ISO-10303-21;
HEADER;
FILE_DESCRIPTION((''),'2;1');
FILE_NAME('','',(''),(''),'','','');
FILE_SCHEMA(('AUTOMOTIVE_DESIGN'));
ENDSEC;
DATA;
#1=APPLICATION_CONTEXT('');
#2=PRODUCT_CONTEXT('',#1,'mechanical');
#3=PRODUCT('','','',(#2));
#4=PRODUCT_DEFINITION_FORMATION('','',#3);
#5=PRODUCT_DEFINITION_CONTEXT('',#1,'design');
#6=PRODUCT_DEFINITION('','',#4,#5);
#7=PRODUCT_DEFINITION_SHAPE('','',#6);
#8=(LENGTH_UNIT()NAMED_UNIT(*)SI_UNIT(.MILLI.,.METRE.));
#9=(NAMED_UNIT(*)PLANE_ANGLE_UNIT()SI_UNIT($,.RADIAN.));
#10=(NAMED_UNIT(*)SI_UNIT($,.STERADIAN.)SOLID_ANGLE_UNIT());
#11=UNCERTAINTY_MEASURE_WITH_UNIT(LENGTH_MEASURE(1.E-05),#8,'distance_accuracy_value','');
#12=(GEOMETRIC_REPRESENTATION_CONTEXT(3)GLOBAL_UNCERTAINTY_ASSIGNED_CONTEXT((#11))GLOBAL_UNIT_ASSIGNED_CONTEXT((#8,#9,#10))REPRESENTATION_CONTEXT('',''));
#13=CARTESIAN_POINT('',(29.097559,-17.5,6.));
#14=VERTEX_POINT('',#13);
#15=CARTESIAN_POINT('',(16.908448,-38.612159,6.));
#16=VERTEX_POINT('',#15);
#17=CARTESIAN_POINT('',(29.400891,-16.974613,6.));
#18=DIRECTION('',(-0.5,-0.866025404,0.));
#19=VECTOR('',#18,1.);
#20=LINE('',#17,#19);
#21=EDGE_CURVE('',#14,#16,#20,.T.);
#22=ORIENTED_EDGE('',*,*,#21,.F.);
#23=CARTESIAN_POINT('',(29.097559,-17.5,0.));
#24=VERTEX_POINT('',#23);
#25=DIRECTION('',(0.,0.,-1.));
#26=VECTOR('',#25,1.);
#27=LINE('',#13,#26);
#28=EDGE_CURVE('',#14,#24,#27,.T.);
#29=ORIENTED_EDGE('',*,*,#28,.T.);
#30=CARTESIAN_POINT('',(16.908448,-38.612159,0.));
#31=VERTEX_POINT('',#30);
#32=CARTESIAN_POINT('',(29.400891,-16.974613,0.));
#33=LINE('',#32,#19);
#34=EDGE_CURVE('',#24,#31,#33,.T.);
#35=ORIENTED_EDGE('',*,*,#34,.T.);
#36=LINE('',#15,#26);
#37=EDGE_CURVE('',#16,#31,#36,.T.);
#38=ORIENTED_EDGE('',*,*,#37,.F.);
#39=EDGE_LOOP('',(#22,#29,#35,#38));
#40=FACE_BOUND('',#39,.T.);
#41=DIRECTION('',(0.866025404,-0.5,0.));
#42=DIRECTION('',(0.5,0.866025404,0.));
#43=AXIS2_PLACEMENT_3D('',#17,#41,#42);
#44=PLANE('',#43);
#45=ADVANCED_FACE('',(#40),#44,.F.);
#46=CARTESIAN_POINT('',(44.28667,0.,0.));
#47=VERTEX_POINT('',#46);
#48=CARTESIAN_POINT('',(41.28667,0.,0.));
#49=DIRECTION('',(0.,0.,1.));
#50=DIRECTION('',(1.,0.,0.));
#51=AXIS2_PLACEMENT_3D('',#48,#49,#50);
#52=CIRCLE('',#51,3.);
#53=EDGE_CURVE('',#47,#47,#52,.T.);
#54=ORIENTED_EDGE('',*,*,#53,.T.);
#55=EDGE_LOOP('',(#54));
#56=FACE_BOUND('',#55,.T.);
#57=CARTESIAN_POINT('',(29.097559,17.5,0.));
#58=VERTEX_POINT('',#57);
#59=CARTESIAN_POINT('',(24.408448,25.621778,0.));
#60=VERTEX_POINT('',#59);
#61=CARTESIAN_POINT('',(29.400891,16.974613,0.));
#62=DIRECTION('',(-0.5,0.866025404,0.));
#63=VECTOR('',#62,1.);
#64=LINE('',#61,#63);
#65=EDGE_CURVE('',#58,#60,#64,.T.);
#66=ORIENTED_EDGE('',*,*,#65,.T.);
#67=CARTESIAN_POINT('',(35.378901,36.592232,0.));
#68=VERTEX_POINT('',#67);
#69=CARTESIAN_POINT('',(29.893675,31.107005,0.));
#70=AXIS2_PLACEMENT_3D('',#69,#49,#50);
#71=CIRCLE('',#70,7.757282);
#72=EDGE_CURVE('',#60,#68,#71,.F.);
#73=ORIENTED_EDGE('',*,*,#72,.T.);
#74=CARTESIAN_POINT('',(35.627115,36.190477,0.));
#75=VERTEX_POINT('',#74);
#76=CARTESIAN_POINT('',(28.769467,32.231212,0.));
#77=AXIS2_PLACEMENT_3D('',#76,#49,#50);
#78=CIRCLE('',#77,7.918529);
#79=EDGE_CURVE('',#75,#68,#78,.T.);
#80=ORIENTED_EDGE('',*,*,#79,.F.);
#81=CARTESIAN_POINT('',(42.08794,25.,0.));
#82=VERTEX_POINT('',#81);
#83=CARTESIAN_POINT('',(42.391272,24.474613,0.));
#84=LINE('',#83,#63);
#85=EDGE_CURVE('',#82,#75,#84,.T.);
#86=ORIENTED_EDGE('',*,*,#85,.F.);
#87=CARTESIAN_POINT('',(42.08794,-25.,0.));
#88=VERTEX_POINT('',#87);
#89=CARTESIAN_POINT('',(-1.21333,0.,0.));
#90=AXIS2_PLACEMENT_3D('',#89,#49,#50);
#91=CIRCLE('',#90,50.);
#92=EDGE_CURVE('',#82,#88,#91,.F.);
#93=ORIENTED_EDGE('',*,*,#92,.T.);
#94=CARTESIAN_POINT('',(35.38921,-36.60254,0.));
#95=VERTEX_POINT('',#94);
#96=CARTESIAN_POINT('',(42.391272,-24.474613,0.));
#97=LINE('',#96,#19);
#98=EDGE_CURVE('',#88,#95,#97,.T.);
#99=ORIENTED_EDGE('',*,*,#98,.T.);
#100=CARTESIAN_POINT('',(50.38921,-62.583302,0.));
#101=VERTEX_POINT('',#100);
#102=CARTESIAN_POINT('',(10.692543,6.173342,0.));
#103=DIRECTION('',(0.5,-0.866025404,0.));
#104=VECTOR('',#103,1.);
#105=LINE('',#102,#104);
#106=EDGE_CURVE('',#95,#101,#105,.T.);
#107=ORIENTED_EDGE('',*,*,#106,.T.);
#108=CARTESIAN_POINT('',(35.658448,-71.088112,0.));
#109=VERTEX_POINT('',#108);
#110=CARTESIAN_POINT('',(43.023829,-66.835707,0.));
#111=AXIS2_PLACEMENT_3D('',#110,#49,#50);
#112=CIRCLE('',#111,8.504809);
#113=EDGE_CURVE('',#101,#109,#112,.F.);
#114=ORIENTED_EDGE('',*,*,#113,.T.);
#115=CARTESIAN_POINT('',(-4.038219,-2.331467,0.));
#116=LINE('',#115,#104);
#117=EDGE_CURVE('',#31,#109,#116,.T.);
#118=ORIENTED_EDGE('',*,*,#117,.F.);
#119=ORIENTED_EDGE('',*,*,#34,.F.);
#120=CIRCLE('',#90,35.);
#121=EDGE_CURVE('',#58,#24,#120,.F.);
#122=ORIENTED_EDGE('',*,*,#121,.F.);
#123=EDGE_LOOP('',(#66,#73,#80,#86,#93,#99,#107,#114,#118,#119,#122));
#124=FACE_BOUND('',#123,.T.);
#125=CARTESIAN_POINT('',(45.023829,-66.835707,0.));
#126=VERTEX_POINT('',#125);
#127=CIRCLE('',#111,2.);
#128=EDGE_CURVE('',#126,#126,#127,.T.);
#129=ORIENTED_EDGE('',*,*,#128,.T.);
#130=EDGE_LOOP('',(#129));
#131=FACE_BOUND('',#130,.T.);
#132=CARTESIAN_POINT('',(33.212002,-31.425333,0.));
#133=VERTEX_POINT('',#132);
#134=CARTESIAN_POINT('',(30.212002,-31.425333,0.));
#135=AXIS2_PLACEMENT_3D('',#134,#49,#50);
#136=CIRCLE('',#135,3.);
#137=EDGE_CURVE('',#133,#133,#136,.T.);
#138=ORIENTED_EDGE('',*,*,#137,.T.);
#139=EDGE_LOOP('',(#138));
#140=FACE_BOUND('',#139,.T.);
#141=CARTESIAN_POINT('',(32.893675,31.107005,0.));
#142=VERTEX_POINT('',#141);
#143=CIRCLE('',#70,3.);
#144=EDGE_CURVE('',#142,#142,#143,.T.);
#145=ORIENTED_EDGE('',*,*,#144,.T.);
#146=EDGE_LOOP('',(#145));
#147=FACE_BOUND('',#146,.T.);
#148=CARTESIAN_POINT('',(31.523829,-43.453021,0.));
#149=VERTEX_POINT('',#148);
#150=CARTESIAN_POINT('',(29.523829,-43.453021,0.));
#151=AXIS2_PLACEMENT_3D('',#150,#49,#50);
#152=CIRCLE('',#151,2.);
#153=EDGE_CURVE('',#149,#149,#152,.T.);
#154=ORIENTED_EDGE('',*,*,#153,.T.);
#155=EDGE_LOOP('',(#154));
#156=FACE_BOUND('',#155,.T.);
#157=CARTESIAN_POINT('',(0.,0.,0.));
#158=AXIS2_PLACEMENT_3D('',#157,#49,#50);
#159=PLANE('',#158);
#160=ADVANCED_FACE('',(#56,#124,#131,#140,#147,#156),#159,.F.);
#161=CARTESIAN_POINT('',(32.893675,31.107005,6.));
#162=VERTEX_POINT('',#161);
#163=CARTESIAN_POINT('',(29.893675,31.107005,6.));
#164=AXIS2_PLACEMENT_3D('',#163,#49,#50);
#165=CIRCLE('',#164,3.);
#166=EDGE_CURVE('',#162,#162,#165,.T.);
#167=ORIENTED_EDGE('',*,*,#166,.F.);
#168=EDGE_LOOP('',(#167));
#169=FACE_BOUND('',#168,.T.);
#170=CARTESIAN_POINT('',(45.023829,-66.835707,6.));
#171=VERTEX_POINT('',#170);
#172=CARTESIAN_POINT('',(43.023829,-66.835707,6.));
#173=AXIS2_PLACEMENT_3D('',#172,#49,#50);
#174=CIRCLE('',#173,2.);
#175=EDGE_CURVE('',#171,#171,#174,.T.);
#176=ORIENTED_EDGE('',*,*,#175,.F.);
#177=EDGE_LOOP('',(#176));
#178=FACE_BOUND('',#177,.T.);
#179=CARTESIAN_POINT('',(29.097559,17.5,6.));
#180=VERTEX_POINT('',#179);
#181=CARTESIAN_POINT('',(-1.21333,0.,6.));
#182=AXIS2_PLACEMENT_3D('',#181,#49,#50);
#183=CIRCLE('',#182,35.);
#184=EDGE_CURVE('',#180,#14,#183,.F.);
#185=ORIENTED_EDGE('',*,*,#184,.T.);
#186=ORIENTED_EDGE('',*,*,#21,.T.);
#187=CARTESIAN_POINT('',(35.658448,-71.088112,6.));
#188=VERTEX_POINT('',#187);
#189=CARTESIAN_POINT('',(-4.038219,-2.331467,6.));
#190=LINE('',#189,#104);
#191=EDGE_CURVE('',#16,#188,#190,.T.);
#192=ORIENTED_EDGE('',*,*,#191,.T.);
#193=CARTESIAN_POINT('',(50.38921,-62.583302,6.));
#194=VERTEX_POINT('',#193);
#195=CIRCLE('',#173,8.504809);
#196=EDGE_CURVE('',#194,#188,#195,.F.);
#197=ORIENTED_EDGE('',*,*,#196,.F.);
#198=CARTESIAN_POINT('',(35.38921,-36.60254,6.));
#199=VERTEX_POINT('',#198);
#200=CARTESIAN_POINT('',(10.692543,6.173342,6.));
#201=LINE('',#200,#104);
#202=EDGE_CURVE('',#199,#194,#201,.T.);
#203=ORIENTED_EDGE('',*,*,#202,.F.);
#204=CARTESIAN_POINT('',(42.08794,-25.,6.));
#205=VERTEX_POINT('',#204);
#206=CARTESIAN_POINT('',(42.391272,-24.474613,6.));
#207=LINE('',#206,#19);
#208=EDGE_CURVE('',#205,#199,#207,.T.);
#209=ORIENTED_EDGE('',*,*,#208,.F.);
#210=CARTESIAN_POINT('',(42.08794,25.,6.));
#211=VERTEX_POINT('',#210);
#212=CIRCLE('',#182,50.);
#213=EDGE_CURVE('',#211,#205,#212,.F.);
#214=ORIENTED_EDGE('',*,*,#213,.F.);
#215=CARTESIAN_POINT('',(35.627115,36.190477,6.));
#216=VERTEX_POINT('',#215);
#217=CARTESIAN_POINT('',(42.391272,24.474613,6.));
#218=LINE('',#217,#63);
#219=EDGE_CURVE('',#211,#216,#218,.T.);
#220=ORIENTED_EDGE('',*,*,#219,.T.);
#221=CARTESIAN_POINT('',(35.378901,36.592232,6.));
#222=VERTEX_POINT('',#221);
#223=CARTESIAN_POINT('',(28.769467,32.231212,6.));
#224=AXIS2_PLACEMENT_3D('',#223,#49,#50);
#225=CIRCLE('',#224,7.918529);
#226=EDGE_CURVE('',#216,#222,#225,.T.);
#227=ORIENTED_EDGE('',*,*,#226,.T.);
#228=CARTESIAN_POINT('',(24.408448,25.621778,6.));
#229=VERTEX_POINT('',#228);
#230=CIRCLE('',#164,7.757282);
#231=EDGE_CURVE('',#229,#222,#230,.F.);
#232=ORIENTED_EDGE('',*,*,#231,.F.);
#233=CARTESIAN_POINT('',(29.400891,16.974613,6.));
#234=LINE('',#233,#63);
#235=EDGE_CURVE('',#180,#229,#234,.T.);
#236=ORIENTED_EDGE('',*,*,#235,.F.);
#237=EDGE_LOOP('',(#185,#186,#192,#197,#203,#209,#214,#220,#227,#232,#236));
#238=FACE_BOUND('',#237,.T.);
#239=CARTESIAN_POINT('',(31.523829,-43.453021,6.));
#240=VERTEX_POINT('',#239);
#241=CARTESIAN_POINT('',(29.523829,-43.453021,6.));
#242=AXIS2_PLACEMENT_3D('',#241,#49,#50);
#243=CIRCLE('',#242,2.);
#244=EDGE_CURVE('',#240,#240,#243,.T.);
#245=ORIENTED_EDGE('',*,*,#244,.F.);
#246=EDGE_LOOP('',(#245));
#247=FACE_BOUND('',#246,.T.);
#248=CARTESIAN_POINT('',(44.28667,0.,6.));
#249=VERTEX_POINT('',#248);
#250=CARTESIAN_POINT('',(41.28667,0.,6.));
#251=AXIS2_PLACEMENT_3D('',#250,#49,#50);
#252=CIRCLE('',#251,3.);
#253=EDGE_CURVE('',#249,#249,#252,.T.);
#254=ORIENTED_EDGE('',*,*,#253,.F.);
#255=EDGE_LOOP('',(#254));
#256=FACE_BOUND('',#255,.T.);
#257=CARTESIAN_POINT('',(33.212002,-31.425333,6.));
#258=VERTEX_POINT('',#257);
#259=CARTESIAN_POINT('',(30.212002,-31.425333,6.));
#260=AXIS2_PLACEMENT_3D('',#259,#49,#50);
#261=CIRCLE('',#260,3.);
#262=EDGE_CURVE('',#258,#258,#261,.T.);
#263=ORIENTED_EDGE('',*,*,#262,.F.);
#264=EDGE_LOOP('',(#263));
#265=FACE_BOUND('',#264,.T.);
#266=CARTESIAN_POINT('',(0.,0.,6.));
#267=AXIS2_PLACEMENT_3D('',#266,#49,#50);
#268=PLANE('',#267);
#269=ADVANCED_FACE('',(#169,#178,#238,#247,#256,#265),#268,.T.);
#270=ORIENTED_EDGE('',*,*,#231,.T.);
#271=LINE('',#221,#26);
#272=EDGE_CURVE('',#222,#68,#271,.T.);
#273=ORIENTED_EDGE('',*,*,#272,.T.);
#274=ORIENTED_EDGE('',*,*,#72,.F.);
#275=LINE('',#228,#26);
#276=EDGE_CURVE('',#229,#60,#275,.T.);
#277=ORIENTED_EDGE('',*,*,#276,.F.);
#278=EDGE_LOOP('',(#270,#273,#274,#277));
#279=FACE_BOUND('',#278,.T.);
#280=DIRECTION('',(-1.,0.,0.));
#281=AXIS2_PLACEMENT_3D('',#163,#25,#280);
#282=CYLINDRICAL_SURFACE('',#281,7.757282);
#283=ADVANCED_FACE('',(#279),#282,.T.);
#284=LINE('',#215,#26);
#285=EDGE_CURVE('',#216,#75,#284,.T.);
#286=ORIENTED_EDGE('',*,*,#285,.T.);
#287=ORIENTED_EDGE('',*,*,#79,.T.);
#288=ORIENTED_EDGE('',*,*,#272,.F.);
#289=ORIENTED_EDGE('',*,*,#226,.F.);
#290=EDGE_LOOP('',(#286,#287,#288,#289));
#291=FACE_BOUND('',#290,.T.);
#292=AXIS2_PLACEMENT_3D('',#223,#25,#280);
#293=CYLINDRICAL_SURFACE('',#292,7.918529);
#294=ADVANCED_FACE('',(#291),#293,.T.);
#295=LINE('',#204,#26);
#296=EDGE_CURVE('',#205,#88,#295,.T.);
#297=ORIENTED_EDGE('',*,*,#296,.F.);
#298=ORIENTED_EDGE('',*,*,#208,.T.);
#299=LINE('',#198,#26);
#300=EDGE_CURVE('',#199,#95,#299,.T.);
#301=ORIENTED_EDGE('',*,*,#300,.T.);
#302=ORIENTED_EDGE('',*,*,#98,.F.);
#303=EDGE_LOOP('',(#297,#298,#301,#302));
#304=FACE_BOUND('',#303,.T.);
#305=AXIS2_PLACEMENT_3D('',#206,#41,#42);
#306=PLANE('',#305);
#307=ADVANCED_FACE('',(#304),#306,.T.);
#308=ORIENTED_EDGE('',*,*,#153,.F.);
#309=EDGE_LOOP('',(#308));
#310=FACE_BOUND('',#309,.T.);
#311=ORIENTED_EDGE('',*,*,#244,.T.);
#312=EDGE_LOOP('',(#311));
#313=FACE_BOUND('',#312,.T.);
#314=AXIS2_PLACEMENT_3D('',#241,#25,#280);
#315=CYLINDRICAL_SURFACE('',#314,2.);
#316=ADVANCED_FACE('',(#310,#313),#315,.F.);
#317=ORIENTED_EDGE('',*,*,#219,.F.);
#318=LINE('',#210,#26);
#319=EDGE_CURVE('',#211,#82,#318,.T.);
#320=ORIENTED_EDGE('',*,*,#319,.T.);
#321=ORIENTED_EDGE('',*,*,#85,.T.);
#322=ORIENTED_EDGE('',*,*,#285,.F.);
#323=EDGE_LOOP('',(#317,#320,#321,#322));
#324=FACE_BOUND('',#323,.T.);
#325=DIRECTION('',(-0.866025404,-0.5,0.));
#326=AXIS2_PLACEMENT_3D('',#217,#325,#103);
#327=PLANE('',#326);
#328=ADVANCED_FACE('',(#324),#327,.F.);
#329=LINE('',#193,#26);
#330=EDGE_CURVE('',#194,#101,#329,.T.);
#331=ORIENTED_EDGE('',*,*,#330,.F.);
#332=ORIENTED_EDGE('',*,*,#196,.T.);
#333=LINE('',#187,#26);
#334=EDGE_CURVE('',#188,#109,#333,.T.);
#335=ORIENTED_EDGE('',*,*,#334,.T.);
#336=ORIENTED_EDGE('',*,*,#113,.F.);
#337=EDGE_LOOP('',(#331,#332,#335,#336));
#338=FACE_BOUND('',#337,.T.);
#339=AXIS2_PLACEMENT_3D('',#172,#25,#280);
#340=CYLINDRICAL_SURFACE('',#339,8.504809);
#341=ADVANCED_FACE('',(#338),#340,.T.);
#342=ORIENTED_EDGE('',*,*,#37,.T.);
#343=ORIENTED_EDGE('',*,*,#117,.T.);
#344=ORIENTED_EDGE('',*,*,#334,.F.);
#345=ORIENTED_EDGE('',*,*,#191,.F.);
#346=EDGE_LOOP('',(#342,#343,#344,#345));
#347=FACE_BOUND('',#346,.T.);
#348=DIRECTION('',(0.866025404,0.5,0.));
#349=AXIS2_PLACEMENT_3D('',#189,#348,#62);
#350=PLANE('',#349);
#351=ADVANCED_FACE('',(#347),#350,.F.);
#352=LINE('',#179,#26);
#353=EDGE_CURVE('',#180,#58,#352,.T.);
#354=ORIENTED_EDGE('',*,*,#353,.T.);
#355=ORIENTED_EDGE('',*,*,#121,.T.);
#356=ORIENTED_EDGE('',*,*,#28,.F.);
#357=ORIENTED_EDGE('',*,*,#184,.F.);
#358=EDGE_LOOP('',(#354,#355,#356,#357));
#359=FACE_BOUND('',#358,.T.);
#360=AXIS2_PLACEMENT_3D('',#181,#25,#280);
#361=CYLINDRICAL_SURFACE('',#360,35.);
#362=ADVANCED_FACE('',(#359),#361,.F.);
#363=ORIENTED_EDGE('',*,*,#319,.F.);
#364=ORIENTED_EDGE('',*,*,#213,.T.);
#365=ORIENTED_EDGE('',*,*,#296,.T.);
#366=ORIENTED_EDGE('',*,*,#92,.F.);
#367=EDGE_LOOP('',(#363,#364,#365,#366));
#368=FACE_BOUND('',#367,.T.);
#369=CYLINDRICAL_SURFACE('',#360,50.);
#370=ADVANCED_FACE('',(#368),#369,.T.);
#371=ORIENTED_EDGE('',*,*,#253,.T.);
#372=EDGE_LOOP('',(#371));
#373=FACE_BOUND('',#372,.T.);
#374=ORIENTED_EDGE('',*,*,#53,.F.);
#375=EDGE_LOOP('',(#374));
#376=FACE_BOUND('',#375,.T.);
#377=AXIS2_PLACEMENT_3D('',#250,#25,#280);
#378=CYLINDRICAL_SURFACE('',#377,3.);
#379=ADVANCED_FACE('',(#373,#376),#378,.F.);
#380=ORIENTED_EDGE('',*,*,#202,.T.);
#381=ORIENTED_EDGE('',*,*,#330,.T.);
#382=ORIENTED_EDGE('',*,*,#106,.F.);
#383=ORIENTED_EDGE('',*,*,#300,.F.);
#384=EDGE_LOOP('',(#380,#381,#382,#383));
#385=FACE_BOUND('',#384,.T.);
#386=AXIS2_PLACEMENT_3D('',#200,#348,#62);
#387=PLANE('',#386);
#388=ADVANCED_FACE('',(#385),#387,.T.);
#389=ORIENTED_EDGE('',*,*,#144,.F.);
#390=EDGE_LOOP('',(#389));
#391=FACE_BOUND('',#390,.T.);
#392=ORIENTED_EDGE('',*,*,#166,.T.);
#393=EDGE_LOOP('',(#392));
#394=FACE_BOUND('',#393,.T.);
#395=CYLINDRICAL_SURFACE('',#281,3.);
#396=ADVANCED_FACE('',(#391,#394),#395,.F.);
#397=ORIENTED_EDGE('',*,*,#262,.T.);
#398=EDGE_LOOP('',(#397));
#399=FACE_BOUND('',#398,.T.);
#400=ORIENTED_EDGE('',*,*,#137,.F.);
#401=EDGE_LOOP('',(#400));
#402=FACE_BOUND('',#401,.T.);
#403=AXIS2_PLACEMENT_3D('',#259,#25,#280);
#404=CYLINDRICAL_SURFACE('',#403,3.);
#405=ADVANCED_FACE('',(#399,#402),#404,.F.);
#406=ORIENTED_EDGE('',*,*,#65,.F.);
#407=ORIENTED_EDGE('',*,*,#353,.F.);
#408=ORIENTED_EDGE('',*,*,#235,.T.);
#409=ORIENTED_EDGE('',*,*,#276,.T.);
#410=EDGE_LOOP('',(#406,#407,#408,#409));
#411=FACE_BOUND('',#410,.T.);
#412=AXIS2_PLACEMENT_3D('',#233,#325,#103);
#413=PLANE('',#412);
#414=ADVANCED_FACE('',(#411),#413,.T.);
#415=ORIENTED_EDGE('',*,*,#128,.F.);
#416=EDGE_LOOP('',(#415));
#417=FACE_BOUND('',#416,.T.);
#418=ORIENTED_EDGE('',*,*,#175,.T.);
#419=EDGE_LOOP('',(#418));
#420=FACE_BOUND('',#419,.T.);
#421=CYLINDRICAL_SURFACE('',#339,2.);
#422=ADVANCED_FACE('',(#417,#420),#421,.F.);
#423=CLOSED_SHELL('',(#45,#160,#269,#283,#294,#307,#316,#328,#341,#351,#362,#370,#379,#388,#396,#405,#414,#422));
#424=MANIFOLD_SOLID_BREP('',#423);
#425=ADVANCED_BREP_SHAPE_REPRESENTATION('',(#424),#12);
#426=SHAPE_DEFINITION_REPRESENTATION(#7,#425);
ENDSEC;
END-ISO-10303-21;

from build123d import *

# Parameters (mm, degrees)
SKETCH1_R           = 3
SKETCH1_R_2         = 2
BOSS_EXTRUDE1_DEPTH = 6


with BuildPart() as part:
    # Sketch1 → Boss-Extrude1 (new body)
    with BuildSketch(Plane.XY):
        with BuildLine():
            ThreePointArc((24.40844793, 25.621778265), (24.40844793, 36.592231664), (35.378901329, 36.592231664))
            ThreePointArc((35.378901329, 36.592231664), (35.506003821, 36.393205072), (35.627115001, 36.190476904))
            Line((35.627115001, 36.190476904), (42.087939854, 25))
            ThreePointArc((42.087939854, 25), (48.786669665, 0), (42.087939854, -25))
            Line((42.087939854, -25), (35.389210043, -36.602540378))
            Line((35.389210043, -36.602540378), (50.389210043, -62.583302492))
            ThreePointArc((50.389210043, -62.583302492), (47.276233722, -74.201088285), (35.65844793, -71.088111964))
            Line((35.65844793, -71.088111964), (33.905802512, -68.052441052))
            Line((33.905802512, -68.052441052), (16.90844793, -38.612159322))
            Line((16.90844793, -38.612159322), (24.40844793, -25.621778265))
            Line((24.40844793, -25.621778265), (29.097558797, -17.5))
            ThreePointArc((29.097558797, -17.5), (33.786669665, 0), (29.097558797, 17.5))
            Line((29.097558797, 17.5), (24.40844793, 25.621778265))
        make_face()
        with Locations((29.893674629, 31.107004965)):
            Circle(SKETCH1_R, mode=Mode.SUBTRACT)
        with Locations((30.212002479, -31.425332814)):
            Circle(SKETCH1_R, mode=Mode.SUBTRACT)
        with Locations((43.023828987, -66.835707228)):
            Circle(SKETCH1_R_2, mode=Mode.SUBTRACT)
        with Locations((41.286669665, 0)):
            Circle(SKETCH1_R, mode=Mode.SUBTRACT)
        with Locations((29.523828987, -43.453021326)):
            Circle(SKETCH1_R_2, mode=Mode.SUBTRACT)
    extrude(amount=BOSS_EXTRUDE1_DEPTH)


solid = part.part
